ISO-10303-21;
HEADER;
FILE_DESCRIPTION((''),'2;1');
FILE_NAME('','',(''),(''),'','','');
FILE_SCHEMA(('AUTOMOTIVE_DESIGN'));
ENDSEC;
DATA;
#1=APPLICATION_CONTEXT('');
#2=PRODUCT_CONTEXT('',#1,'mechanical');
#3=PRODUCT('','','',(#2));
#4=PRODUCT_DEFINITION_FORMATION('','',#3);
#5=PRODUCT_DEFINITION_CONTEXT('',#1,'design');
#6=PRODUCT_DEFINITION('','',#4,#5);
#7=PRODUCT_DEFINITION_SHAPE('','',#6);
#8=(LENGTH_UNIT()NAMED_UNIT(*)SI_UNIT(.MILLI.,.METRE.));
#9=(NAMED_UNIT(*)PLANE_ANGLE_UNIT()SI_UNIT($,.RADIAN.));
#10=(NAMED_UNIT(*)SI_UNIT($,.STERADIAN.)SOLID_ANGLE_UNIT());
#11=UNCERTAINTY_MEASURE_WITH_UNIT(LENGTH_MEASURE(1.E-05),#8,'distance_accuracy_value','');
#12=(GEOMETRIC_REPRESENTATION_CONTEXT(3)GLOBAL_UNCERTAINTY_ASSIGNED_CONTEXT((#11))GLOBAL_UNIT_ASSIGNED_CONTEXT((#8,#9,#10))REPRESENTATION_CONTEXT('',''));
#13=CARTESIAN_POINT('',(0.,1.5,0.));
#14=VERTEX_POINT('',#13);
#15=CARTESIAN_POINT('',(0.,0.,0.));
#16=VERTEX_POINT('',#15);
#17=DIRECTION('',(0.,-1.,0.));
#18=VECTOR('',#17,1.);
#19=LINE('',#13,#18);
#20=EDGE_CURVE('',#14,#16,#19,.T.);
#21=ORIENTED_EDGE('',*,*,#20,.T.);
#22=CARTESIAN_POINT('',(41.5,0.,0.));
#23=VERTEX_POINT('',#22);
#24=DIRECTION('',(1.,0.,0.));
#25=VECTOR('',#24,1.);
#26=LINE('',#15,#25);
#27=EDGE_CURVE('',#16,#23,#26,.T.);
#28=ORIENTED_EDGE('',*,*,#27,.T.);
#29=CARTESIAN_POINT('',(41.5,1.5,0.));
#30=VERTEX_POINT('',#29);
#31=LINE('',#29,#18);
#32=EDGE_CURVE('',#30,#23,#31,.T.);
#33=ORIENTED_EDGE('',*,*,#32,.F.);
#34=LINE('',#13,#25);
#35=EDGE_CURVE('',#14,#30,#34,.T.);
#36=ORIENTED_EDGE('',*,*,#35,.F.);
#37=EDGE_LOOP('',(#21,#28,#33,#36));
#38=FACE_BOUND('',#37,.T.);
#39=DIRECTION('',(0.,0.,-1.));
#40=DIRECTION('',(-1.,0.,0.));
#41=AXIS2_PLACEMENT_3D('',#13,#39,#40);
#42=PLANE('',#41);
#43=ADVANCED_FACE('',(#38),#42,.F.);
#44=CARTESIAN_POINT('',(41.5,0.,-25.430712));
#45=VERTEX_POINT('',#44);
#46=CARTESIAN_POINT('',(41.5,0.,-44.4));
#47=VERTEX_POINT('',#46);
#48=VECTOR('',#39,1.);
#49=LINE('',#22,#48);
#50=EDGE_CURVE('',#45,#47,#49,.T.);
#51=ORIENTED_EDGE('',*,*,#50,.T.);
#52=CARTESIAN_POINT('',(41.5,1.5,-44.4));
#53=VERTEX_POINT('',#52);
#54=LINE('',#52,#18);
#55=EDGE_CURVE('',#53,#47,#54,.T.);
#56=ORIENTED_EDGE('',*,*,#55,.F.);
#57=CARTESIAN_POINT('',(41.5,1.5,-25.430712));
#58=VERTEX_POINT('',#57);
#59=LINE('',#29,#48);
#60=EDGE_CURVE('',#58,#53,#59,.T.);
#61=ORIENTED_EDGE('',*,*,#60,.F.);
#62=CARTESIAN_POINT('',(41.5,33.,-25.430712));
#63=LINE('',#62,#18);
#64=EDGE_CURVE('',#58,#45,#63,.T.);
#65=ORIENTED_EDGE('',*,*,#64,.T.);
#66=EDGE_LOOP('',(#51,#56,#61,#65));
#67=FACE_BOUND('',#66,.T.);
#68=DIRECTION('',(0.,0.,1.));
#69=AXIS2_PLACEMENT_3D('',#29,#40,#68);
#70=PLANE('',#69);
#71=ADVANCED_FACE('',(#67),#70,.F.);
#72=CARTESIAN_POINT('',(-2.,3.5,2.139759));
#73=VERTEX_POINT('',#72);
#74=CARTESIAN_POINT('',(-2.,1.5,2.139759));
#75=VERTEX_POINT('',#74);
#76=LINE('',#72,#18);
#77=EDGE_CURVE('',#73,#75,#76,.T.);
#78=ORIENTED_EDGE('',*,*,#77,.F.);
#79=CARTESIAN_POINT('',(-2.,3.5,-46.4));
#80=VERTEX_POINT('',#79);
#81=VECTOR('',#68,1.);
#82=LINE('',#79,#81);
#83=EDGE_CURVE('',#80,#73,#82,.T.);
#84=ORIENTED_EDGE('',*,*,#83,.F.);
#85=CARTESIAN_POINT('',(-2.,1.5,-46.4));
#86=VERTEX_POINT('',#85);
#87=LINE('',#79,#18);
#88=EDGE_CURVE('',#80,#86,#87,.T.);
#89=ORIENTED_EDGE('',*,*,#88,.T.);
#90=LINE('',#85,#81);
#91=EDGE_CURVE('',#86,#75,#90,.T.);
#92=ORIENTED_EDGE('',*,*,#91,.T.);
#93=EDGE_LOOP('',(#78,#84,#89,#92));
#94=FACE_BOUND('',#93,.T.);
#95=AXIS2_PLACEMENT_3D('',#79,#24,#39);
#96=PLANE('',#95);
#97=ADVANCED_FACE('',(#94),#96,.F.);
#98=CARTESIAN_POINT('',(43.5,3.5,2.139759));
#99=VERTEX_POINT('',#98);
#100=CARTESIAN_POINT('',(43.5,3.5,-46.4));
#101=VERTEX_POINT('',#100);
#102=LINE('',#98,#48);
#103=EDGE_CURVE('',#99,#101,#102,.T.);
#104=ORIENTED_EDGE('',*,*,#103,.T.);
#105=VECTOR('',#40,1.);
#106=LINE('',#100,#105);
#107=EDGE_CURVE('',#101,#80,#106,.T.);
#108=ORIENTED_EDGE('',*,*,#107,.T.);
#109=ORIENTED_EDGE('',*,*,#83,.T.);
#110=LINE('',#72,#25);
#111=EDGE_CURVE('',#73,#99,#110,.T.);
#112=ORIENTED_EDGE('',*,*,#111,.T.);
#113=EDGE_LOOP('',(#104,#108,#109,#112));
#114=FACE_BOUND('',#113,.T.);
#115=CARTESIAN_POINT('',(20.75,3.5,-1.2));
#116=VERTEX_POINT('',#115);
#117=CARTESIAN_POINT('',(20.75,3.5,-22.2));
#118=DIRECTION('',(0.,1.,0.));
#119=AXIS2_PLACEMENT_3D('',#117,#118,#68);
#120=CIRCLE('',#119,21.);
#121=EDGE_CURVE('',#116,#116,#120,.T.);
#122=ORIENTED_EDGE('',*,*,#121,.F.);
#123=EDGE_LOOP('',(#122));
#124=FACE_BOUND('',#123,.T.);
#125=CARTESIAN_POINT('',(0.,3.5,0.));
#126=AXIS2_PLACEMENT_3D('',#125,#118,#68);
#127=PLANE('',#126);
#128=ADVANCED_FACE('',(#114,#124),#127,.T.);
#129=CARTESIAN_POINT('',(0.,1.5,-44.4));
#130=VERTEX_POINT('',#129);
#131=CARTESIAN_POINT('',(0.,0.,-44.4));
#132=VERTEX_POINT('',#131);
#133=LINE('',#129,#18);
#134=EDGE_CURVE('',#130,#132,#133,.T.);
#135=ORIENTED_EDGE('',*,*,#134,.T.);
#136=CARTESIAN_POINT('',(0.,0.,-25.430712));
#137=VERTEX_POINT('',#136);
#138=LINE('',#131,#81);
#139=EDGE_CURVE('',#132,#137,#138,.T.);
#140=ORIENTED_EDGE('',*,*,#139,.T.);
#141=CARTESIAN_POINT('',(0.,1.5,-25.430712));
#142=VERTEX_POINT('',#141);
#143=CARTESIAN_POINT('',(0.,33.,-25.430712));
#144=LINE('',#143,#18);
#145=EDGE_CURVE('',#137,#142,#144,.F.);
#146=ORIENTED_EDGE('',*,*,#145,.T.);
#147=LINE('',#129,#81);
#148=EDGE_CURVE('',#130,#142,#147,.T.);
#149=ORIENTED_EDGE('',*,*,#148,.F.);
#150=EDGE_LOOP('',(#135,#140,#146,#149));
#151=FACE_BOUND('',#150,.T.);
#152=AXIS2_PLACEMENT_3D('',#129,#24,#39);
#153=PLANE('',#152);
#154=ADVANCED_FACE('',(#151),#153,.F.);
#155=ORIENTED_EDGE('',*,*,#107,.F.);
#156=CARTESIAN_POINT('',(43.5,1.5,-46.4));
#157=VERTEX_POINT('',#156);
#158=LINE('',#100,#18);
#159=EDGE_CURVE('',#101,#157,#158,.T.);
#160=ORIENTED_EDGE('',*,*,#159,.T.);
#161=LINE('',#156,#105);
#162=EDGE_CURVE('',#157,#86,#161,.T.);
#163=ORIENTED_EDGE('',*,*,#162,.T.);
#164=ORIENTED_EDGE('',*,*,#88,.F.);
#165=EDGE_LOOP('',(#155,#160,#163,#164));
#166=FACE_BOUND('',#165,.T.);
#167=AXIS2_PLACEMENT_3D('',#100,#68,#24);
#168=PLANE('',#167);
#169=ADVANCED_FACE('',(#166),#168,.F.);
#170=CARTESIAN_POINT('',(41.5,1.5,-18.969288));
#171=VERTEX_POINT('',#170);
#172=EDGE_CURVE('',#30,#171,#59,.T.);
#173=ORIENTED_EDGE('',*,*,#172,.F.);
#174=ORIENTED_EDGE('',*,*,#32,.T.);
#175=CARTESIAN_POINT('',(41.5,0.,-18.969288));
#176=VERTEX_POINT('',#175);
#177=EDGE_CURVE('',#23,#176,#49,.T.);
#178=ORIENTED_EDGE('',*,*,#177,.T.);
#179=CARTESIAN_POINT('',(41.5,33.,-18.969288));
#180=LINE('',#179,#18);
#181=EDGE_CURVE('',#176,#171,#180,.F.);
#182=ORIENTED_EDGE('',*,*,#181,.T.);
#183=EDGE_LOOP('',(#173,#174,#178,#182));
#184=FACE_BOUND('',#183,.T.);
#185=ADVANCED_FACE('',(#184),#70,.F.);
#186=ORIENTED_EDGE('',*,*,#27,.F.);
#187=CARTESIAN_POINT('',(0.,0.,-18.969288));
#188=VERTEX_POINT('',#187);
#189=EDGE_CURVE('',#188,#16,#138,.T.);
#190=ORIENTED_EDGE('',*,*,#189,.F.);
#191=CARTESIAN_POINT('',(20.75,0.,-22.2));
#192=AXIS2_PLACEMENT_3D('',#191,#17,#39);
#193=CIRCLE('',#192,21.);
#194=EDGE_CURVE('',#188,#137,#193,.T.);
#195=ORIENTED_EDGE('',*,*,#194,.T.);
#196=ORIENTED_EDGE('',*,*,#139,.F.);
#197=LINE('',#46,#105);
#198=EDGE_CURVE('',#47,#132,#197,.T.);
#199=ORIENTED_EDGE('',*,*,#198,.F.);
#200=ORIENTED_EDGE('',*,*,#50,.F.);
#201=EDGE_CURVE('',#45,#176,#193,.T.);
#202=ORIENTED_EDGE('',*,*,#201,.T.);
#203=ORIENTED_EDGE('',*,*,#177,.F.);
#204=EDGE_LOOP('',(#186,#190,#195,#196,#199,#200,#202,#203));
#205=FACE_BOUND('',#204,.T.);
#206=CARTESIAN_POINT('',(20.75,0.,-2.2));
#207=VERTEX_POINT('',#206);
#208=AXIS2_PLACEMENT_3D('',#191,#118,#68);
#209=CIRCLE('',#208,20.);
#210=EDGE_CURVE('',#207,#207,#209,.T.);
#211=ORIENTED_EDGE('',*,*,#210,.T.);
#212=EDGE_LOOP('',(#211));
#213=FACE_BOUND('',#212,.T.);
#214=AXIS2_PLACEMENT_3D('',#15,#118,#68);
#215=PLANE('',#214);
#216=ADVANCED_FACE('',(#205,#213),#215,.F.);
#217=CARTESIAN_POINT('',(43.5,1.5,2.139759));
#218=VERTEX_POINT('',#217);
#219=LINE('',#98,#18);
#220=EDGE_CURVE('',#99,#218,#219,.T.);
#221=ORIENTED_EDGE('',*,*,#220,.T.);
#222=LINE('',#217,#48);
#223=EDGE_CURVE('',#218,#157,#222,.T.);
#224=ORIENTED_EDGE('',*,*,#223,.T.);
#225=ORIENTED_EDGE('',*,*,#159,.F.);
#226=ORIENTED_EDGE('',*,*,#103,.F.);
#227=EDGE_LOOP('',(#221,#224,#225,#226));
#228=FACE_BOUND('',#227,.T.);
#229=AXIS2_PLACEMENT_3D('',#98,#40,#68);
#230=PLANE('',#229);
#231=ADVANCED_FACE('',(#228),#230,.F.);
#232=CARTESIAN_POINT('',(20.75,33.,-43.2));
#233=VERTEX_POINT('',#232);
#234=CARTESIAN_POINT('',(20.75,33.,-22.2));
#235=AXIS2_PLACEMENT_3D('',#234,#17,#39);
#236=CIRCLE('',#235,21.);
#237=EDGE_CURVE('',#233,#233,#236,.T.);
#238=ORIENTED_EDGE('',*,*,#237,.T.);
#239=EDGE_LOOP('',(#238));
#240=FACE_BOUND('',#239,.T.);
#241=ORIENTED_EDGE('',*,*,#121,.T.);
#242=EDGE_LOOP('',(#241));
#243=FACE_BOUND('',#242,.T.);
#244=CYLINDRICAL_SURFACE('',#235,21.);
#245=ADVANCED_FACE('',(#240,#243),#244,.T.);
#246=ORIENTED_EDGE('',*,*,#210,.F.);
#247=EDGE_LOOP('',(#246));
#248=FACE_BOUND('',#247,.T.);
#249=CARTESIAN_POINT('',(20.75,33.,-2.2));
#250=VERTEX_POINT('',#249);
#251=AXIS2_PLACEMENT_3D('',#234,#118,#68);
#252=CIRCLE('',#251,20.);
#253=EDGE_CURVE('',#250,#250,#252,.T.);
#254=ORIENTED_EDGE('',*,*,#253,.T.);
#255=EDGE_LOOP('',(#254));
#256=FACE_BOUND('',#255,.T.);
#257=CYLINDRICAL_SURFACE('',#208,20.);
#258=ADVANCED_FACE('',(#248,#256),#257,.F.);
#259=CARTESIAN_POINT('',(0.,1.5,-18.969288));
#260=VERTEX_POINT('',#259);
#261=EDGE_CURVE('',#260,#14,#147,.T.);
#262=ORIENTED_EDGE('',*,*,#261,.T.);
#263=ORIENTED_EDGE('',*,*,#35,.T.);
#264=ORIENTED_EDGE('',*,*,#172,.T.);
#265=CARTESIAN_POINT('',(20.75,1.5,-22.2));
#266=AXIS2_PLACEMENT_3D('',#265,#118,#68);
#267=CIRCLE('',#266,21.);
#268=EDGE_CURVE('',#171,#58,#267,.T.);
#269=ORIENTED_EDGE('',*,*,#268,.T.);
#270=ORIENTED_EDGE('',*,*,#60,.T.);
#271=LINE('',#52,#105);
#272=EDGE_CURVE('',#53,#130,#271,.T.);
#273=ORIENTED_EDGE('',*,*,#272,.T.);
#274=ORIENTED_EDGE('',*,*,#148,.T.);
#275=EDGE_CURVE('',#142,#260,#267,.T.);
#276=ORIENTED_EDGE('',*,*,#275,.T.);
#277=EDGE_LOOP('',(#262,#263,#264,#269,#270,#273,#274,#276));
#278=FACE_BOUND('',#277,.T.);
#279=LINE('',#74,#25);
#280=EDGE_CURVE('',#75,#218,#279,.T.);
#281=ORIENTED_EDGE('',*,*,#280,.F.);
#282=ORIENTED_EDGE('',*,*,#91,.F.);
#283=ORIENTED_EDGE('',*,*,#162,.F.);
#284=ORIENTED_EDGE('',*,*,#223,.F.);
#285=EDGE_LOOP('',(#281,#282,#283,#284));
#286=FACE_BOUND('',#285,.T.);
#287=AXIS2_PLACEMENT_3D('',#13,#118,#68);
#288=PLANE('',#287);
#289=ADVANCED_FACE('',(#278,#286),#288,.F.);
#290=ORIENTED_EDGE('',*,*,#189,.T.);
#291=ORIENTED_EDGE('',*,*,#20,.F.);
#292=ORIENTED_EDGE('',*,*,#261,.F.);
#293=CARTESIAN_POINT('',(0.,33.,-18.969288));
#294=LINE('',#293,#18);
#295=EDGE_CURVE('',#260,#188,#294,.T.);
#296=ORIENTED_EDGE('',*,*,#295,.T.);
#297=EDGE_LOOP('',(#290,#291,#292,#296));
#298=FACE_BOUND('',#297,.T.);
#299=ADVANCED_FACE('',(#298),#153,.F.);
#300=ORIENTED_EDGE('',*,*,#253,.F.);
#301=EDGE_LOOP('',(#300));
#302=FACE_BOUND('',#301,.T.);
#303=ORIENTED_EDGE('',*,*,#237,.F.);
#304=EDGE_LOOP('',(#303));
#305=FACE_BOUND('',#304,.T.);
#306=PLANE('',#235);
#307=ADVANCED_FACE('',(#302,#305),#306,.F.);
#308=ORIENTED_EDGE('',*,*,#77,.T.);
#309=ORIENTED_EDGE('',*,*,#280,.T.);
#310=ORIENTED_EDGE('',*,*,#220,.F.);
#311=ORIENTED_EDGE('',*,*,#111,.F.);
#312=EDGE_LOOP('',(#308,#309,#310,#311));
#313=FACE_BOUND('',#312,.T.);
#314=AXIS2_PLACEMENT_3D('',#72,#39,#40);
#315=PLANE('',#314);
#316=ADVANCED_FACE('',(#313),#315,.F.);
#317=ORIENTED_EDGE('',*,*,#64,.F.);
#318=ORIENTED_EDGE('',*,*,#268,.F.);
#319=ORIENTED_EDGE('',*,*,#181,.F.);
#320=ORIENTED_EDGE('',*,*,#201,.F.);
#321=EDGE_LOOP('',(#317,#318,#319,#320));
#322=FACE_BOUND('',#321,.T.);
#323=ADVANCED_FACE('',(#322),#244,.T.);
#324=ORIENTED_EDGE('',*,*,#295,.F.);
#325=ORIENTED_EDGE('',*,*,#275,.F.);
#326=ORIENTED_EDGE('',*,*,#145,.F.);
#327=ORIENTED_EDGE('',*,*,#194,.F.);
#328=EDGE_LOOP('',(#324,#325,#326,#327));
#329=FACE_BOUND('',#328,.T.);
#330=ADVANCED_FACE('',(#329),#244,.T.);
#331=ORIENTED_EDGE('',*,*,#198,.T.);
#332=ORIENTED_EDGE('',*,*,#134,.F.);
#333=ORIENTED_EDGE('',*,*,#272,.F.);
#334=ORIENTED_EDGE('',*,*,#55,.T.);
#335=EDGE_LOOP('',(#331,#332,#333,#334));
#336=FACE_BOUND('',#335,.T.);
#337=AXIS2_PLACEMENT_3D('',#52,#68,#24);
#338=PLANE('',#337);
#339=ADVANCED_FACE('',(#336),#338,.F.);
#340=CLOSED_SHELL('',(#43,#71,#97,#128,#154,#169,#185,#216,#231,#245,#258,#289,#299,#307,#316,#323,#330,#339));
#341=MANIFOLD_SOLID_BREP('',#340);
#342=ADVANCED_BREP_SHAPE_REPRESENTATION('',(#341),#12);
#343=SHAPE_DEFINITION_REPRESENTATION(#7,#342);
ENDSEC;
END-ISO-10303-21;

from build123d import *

# Parameters (mm, degrees)
CROQUIS1_W              = 41.5
CROQUIS1_H              = 44.4
SALIENTE_EXTRUIR1_DEPTH = 1.5
CROQUIS2_W              = 45.5
CROQUIS2_H              = 48.539759036
SALIENTE_EXTRUIR2_DEPTH = 2
CROQUIS3_R              = 21
SALIENTE_EXTRUIR3_DEPTH = 33
CROQUIS4_R              = 20
CORTAR_EXTRUIR1_DEPTH   = 72.653401873


with BuildPart() as part:
    # Croquis1 → Saliente-Extruir1 (new body)
    with BuildSketch(Plane(origin=(0, 0, 0), x_dir=(1, 0, 0), z_dir=(0, 1, 0))):
        with Locations((20.75, 22.2)):
            Rectangle(CROQUIS1_W, CROQUIS1_H)
    extrude(amount=SALIENTE_EXTRUIR1_DEPTH)

    # Croquis2 → Saliente-Extruir2 (add)
    with BuildSketch(Plane(origin=(0, 1.5, 0), x_dir=(1, 0, 0), z_dir=(0, 1, 0))):
        with Locations((20.75, 22.130120482)):
            Rectangle(CROQUIS2_W, CROQUIS2_H)
    extrude(amount=SALIENTE_EXTRUIR2_DEPTH)

    # Croquis3 → Saliente-Extruir3 (add)
    with BuildSketch(Plane.XZ):
        with Locations(Location((20.75, -22.2, 0), (0, 0, 270))):
            Circle(CROQUIS3_R)
    extrude(amount=-SALIENTE_EXTRUIR3_DEPTH)

    # Croquis4 → Cortar-Extruir1 (cut, through all)
    with BuildSketch(Plane(origin=(0, 33, 0), x_dir=(1, 0, 0), z_dir=(0, 1, 0))):
        with Locations(Location((20.75, 22.2, 0), (0, 0, 270))):
            Circle(CROQUIS4_R)
    extrude(amount=-CORTAR_EXTRUIR1_DEPTH, mode=Mode.SUBTRACT)


solid = part.part
